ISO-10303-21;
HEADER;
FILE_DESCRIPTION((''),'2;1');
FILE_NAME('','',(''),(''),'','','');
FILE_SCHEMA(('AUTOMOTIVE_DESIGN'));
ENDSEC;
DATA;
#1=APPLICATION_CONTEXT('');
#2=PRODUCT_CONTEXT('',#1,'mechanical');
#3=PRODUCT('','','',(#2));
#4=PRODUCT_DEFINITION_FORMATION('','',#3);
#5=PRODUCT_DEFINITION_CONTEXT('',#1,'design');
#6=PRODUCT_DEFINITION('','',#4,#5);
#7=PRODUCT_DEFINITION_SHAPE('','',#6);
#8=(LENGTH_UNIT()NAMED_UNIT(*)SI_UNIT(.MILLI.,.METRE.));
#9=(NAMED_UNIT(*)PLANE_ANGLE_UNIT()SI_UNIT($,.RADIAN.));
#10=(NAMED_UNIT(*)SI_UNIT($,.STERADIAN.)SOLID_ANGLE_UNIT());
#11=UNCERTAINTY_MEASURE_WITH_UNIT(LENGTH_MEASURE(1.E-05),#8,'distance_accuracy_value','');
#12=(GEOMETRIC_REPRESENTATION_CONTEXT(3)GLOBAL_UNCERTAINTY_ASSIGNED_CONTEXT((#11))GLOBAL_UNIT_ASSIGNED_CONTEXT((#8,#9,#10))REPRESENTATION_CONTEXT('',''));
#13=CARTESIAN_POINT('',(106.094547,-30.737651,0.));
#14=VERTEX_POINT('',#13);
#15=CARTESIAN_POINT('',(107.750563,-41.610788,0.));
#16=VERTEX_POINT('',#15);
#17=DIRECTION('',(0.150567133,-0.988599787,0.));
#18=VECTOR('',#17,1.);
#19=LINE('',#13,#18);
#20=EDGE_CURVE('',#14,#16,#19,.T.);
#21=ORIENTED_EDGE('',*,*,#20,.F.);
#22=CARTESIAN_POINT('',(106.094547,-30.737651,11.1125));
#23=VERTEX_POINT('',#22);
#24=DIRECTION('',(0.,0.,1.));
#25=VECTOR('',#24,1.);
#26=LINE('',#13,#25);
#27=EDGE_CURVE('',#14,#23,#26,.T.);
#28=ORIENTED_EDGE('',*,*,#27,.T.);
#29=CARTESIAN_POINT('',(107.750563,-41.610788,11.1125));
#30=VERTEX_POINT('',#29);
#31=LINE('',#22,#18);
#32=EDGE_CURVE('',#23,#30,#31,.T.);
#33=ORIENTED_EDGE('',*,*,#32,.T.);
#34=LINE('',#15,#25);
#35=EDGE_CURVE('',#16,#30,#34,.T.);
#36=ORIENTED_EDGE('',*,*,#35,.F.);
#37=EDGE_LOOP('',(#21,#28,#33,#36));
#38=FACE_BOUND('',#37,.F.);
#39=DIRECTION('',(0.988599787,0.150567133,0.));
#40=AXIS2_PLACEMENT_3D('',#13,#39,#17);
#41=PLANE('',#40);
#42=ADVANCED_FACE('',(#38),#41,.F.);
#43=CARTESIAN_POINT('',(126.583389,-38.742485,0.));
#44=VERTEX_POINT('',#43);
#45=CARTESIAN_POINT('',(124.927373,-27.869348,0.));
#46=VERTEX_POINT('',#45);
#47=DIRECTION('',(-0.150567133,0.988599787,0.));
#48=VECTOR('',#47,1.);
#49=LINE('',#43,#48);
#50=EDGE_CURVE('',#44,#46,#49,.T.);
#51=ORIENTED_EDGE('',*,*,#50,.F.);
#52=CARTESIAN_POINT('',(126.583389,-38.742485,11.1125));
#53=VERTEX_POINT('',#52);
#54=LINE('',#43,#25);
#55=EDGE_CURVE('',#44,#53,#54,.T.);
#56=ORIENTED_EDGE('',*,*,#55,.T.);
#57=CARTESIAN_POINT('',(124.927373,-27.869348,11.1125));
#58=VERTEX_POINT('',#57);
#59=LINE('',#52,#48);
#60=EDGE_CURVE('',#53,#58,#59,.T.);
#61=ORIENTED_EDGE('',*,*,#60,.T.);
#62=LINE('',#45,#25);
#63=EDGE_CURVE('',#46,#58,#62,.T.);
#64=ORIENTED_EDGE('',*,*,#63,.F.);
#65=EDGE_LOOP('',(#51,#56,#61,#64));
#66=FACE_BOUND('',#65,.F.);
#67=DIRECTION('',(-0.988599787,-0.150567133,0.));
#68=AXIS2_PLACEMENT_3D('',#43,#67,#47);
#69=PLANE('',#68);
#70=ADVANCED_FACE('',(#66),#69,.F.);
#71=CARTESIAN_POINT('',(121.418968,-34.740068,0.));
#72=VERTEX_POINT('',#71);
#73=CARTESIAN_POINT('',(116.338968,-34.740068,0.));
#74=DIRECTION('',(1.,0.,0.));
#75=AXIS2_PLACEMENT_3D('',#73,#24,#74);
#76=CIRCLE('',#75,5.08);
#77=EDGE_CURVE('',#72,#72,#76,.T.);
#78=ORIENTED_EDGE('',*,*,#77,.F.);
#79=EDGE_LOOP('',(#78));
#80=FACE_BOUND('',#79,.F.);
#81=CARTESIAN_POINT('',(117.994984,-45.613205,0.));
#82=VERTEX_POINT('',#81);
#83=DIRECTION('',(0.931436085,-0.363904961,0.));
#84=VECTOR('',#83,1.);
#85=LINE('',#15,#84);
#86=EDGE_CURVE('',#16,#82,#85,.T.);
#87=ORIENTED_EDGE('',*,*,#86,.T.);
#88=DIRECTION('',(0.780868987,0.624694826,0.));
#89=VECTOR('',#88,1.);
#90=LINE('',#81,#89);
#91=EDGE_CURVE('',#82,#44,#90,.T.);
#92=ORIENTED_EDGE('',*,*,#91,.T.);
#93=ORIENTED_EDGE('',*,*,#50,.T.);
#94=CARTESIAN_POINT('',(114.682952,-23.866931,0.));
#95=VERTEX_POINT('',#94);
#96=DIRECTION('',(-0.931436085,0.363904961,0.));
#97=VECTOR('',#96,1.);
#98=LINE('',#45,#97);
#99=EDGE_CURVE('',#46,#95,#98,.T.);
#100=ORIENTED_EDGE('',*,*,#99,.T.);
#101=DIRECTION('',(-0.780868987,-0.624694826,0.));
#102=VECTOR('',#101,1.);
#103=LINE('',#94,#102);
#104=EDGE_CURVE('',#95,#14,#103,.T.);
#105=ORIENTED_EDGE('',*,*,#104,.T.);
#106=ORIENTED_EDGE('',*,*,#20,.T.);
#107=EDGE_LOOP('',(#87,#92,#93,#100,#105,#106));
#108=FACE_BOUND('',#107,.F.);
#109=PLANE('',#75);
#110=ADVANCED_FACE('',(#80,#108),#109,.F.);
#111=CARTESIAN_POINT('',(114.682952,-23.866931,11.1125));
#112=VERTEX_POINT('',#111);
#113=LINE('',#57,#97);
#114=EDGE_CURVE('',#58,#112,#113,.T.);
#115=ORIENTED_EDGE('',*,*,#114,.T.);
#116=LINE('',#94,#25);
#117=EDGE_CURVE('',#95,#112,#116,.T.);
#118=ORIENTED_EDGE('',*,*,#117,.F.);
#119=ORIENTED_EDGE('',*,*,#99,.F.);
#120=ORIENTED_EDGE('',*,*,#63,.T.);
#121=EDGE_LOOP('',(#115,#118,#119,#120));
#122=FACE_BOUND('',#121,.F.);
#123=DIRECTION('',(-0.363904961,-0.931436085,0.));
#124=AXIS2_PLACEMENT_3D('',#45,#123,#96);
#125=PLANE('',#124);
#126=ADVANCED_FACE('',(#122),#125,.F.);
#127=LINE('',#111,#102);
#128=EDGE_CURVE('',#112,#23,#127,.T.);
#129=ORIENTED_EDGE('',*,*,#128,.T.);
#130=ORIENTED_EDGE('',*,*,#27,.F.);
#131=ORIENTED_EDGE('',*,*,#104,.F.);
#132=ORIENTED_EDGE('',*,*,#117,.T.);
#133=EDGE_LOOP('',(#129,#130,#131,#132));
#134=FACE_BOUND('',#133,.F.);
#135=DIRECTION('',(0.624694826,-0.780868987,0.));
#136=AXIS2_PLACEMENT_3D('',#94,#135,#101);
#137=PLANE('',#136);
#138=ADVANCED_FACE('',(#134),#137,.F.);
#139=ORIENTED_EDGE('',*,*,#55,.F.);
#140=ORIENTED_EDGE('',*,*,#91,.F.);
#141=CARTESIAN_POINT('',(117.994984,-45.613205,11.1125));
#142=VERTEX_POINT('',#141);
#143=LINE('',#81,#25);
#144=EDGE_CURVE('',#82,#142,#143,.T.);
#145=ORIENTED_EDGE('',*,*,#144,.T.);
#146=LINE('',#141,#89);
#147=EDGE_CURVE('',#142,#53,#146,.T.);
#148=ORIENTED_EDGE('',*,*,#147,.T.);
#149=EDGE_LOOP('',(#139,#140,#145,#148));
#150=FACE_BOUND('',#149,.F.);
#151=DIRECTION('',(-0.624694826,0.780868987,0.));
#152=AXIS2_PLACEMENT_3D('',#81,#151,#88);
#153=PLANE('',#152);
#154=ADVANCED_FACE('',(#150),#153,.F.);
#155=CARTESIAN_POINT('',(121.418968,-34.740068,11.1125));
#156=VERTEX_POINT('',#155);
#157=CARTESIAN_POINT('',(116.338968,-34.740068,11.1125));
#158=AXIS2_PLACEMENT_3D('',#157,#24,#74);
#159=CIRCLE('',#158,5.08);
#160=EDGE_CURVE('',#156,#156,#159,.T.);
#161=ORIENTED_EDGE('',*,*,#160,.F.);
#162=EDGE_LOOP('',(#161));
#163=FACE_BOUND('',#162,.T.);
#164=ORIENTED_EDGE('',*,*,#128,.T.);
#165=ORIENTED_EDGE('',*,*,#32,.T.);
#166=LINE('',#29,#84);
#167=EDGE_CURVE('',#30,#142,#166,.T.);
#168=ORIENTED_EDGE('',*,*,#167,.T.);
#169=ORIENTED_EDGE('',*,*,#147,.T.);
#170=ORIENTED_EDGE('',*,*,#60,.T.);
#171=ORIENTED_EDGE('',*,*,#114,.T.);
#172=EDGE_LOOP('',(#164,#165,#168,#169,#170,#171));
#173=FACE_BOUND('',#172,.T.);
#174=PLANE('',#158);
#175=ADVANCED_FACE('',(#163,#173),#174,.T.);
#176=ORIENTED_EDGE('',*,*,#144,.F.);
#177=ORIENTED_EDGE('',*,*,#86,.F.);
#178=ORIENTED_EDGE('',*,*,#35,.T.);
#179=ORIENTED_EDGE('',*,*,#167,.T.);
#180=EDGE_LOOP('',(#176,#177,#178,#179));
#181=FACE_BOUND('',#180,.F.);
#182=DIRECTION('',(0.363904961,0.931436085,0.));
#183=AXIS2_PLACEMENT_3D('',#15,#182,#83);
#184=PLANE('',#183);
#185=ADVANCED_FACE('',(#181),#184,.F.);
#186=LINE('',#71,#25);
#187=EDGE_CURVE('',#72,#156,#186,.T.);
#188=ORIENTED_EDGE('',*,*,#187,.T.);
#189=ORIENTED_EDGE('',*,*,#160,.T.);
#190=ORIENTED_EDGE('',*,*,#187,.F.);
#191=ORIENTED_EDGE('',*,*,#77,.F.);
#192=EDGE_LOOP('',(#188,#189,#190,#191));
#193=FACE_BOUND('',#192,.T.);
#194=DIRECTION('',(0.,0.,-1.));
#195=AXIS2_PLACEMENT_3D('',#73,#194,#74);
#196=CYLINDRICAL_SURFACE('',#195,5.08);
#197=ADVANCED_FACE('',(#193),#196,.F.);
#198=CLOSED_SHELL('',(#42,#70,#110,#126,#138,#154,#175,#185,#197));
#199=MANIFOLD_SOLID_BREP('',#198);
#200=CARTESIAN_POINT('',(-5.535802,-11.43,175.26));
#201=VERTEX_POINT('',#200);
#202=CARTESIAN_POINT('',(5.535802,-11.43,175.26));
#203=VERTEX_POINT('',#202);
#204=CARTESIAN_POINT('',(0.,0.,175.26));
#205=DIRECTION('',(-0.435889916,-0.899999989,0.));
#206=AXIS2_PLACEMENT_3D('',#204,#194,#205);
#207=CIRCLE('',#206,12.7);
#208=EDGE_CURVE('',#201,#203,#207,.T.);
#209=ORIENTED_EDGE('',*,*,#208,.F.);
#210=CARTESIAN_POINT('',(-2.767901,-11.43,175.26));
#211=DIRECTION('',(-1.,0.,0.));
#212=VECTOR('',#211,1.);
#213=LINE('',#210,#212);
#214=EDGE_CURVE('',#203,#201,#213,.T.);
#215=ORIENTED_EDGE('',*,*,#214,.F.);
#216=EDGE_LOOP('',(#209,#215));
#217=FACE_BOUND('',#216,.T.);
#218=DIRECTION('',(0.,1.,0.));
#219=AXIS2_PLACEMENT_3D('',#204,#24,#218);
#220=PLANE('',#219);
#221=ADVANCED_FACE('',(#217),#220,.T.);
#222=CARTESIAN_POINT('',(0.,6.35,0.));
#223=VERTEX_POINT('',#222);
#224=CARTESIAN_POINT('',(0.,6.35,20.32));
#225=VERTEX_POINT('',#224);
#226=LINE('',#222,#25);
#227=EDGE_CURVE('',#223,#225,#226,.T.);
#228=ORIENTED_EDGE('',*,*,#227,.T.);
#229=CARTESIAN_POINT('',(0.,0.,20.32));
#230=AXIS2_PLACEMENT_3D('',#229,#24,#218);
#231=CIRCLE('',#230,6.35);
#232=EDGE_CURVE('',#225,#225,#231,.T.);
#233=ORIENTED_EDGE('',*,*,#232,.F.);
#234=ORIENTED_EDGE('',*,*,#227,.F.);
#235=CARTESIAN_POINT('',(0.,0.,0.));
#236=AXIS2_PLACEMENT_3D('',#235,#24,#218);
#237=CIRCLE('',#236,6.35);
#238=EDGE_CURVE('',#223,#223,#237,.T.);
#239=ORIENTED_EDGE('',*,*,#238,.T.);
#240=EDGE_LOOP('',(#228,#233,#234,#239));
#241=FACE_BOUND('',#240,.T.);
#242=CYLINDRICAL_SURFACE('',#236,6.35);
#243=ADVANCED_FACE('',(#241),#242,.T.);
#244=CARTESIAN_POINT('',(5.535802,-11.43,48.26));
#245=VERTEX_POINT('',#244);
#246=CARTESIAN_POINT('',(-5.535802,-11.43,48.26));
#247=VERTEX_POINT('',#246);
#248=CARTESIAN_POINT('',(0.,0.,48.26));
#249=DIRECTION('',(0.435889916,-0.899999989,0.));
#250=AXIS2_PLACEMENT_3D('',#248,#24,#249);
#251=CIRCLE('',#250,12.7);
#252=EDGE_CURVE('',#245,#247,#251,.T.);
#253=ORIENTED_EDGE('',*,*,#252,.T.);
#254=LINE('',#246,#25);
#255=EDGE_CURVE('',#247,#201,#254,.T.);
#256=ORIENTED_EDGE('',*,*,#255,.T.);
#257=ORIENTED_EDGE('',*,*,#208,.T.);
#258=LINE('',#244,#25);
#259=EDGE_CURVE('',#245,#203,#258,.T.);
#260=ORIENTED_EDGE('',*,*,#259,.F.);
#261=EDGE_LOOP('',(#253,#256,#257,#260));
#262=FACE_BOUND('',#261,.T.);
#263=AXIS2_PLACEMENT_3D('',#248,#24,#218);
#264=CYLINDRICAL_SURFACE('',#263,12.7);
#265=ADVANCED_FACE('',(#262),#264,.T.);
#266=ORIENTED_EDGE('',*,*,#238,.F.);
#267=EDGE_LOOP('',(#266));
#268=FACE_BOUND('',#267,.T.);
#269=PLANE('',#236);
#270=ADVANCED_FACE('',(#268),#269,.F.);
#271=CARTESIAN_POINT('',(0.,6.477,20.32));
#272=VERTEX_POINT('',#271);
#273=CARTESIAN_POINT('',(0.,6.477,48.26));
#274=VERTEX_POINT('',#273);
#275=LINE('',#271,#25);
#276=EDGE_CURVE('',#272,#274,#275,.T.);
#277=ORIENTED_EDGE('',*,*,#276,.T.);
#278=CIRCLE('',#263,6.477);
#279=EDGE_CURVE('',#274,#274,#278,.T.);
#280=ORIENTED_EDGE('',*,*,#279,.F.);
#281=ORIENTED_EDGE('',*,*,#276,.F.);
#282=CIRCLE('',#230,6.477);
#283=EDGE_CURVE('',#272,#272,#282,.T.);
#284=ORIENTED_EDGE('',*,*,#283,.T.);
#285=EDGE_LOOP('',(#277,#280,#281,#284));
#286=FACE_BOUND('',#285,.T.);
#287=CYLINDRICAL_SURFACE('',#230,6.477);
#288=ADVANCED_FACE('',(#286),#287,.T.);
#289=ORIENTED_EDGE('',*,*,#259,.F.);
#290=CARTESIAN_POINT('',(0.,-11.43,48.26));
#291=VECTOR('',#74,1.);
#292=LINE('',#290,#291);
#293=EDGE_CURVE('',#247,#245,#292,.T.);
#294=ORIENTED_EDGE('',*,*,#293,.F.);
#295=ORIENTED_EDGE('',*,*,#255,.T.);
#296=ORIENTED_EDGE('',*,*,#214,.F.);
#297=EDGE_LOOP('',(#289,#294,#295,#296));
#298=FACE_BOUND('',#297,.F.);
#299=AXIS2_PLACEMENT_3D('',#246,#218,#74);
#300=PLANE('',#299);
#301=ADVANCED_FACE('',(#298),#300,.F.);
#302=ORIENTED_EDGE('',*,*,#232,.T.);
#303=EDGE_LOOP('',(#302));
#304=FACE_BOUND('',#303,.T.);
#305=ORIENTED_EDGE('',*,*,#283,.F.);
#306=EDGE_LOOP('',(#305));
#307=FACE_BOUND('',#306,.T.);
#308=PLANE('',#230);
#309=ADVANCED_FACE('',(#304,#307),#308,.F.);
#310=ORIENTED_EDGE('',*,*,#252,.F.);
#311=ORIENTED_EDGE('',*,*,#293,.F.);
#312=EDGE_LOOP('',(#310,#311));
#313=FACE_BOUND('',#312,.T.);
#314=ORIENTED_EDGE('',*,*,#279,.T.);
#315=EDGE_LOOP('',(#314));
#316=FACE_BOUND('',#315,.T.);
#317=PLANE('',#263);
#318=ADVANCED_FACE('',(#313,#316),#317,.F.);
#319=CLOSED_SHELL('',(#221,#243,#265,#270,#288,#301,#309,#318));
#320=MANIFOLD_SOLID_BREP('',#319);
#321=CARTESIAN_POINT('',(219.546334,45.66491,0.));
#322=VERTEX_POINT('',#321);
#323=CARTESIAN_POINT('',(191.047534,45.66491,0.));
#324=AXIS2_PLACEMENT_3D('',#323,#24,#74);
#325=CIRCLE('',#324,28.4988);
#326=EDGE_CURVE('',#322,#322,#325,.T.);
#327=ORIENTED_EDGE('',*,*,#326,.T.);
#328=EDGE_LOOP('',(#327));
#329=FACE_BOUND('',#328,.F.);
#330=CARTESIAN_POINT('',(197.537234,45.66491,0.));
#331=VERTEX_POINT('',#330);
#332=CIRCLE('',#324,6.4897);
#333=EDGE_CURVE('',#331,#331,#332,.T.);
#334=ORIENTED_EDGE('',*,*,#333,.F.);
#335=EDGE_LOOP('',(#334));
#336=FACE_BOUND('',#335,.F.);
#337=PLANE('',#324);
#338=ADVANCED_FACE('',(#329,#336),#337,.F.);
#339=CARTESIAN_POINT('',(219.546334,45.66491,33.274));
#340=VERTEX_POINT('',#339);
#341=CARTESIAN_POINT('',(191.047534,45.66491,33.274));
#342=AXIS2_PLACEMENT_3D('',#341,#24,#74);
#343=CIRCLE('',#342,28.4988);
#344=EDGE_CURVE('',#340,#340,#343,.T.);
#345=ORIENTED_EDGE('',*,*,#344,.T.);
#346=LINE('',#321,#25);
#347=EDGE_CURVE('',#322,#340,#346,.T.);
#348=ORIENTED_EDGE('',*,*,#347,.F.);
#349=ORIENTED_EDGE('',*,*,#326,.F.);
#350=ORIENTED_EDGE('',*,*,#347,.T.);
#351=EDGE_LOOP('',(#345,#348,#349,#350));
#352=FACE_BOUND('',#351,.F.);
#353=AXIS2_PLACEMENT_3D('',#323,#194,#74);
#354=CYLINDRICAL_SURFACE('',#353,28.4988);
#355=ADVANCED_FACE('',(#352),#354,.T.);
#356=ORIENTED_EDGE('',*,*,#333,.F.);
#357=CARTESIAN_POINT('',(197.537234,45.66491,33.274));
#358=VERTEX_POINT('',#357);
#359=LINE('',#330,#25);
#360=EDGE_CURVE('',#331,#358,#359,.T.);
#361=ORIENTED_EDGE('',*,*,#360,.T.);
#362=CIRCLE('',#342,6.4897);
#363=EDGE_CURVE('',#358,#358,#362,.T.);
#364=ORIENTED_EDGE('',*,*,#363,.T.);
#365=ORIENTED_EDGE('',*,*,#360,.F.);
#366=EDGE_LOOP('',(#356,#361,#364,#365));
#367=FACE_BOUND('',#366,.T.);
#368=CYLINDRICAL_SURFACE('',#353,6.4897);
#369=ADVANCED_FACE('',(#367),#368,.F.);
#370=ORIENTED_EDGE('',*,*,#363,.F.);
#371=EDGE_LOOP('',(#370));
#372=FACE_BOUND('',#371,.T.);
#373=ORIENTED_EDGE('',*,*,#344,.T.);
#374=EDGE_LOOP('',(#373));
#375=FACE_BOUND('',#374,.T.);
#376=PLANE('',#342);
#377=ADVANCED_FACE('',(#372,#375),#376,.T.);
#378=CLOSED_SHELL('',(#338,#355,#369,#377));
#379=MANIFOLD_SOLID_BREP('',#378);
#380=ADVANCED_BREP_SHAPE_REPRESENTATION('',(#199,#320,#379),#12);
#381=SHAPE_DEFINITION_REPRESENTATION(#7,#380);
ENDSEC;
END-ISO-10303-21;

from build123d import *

# Parameters (mm, degrees)
F2_W     = 11.071604
F2_H     = 2.54
F3_DEPTH = 127.001
F4_R     = 28.4988
F4_R_2   = 6.4897
F5_DEPTH = 33.274
F6_R     = 5.08
F7_DEPTH = 11.1125


with BuildPart() as f1:
    # F0 (on Right) → F1 (revolve)
    with BuildSketch(Plane.YZ):
        Polygon((12.7, 48.26), (12.7, 175.26), (0, 175.26), (0, 0), (6.35, 0), (6.35, 20.32), (6.477, 20.32), (6.477, 48.26), align=None)
    revolve(axis=Axis((0, 0, 87.63), (0, 0, 1)))

    # F2 (on face) → F3 (cut, through all)
    with BuildSketch(Plane(origin=(0, 0, 48.26), x_dir=(1, 0, 0), z_dir=(0, 0, -1))):
        with Locations((0, 12.7)):
            Rectangle(F2_W, F2_H)
    extrude(amount=-F3_DEPTH, mode=Mode.SUBTRACT)


with BuildPart() as f5:
    # F4 (on Top) → F5 (new body)
    with BuildSketch(Plane.XY):
        with Locations((191.047534, 45.66491)):
            Circle(F4_R)
        with Locations((191.047534, 45.66491)):
            Circle(F4_R_2, mode=Mode.SUBTRACT)
    extrude(amount=F5_DEPTH)


with BuildPart() as f7:
    # F6 (on Top) → F7 (new body)
    with BuildSketch(Plane.XY):
        Polygon((117.994984, -45.613205), (126.583389, -38.742485), (124.927373, -27.869348), (114.682952, -23.866931), (106.094547, -30.737651), (107.750563, -41.610788), align=None)
        with Locations((116.338968, -34.740068)):
            Circle(F6_R, mode=Mode.SUBTRACT)
    extrude(amount=F7_DEPTH)


solid = Compound([f1.part, f5.part, f7.part])
